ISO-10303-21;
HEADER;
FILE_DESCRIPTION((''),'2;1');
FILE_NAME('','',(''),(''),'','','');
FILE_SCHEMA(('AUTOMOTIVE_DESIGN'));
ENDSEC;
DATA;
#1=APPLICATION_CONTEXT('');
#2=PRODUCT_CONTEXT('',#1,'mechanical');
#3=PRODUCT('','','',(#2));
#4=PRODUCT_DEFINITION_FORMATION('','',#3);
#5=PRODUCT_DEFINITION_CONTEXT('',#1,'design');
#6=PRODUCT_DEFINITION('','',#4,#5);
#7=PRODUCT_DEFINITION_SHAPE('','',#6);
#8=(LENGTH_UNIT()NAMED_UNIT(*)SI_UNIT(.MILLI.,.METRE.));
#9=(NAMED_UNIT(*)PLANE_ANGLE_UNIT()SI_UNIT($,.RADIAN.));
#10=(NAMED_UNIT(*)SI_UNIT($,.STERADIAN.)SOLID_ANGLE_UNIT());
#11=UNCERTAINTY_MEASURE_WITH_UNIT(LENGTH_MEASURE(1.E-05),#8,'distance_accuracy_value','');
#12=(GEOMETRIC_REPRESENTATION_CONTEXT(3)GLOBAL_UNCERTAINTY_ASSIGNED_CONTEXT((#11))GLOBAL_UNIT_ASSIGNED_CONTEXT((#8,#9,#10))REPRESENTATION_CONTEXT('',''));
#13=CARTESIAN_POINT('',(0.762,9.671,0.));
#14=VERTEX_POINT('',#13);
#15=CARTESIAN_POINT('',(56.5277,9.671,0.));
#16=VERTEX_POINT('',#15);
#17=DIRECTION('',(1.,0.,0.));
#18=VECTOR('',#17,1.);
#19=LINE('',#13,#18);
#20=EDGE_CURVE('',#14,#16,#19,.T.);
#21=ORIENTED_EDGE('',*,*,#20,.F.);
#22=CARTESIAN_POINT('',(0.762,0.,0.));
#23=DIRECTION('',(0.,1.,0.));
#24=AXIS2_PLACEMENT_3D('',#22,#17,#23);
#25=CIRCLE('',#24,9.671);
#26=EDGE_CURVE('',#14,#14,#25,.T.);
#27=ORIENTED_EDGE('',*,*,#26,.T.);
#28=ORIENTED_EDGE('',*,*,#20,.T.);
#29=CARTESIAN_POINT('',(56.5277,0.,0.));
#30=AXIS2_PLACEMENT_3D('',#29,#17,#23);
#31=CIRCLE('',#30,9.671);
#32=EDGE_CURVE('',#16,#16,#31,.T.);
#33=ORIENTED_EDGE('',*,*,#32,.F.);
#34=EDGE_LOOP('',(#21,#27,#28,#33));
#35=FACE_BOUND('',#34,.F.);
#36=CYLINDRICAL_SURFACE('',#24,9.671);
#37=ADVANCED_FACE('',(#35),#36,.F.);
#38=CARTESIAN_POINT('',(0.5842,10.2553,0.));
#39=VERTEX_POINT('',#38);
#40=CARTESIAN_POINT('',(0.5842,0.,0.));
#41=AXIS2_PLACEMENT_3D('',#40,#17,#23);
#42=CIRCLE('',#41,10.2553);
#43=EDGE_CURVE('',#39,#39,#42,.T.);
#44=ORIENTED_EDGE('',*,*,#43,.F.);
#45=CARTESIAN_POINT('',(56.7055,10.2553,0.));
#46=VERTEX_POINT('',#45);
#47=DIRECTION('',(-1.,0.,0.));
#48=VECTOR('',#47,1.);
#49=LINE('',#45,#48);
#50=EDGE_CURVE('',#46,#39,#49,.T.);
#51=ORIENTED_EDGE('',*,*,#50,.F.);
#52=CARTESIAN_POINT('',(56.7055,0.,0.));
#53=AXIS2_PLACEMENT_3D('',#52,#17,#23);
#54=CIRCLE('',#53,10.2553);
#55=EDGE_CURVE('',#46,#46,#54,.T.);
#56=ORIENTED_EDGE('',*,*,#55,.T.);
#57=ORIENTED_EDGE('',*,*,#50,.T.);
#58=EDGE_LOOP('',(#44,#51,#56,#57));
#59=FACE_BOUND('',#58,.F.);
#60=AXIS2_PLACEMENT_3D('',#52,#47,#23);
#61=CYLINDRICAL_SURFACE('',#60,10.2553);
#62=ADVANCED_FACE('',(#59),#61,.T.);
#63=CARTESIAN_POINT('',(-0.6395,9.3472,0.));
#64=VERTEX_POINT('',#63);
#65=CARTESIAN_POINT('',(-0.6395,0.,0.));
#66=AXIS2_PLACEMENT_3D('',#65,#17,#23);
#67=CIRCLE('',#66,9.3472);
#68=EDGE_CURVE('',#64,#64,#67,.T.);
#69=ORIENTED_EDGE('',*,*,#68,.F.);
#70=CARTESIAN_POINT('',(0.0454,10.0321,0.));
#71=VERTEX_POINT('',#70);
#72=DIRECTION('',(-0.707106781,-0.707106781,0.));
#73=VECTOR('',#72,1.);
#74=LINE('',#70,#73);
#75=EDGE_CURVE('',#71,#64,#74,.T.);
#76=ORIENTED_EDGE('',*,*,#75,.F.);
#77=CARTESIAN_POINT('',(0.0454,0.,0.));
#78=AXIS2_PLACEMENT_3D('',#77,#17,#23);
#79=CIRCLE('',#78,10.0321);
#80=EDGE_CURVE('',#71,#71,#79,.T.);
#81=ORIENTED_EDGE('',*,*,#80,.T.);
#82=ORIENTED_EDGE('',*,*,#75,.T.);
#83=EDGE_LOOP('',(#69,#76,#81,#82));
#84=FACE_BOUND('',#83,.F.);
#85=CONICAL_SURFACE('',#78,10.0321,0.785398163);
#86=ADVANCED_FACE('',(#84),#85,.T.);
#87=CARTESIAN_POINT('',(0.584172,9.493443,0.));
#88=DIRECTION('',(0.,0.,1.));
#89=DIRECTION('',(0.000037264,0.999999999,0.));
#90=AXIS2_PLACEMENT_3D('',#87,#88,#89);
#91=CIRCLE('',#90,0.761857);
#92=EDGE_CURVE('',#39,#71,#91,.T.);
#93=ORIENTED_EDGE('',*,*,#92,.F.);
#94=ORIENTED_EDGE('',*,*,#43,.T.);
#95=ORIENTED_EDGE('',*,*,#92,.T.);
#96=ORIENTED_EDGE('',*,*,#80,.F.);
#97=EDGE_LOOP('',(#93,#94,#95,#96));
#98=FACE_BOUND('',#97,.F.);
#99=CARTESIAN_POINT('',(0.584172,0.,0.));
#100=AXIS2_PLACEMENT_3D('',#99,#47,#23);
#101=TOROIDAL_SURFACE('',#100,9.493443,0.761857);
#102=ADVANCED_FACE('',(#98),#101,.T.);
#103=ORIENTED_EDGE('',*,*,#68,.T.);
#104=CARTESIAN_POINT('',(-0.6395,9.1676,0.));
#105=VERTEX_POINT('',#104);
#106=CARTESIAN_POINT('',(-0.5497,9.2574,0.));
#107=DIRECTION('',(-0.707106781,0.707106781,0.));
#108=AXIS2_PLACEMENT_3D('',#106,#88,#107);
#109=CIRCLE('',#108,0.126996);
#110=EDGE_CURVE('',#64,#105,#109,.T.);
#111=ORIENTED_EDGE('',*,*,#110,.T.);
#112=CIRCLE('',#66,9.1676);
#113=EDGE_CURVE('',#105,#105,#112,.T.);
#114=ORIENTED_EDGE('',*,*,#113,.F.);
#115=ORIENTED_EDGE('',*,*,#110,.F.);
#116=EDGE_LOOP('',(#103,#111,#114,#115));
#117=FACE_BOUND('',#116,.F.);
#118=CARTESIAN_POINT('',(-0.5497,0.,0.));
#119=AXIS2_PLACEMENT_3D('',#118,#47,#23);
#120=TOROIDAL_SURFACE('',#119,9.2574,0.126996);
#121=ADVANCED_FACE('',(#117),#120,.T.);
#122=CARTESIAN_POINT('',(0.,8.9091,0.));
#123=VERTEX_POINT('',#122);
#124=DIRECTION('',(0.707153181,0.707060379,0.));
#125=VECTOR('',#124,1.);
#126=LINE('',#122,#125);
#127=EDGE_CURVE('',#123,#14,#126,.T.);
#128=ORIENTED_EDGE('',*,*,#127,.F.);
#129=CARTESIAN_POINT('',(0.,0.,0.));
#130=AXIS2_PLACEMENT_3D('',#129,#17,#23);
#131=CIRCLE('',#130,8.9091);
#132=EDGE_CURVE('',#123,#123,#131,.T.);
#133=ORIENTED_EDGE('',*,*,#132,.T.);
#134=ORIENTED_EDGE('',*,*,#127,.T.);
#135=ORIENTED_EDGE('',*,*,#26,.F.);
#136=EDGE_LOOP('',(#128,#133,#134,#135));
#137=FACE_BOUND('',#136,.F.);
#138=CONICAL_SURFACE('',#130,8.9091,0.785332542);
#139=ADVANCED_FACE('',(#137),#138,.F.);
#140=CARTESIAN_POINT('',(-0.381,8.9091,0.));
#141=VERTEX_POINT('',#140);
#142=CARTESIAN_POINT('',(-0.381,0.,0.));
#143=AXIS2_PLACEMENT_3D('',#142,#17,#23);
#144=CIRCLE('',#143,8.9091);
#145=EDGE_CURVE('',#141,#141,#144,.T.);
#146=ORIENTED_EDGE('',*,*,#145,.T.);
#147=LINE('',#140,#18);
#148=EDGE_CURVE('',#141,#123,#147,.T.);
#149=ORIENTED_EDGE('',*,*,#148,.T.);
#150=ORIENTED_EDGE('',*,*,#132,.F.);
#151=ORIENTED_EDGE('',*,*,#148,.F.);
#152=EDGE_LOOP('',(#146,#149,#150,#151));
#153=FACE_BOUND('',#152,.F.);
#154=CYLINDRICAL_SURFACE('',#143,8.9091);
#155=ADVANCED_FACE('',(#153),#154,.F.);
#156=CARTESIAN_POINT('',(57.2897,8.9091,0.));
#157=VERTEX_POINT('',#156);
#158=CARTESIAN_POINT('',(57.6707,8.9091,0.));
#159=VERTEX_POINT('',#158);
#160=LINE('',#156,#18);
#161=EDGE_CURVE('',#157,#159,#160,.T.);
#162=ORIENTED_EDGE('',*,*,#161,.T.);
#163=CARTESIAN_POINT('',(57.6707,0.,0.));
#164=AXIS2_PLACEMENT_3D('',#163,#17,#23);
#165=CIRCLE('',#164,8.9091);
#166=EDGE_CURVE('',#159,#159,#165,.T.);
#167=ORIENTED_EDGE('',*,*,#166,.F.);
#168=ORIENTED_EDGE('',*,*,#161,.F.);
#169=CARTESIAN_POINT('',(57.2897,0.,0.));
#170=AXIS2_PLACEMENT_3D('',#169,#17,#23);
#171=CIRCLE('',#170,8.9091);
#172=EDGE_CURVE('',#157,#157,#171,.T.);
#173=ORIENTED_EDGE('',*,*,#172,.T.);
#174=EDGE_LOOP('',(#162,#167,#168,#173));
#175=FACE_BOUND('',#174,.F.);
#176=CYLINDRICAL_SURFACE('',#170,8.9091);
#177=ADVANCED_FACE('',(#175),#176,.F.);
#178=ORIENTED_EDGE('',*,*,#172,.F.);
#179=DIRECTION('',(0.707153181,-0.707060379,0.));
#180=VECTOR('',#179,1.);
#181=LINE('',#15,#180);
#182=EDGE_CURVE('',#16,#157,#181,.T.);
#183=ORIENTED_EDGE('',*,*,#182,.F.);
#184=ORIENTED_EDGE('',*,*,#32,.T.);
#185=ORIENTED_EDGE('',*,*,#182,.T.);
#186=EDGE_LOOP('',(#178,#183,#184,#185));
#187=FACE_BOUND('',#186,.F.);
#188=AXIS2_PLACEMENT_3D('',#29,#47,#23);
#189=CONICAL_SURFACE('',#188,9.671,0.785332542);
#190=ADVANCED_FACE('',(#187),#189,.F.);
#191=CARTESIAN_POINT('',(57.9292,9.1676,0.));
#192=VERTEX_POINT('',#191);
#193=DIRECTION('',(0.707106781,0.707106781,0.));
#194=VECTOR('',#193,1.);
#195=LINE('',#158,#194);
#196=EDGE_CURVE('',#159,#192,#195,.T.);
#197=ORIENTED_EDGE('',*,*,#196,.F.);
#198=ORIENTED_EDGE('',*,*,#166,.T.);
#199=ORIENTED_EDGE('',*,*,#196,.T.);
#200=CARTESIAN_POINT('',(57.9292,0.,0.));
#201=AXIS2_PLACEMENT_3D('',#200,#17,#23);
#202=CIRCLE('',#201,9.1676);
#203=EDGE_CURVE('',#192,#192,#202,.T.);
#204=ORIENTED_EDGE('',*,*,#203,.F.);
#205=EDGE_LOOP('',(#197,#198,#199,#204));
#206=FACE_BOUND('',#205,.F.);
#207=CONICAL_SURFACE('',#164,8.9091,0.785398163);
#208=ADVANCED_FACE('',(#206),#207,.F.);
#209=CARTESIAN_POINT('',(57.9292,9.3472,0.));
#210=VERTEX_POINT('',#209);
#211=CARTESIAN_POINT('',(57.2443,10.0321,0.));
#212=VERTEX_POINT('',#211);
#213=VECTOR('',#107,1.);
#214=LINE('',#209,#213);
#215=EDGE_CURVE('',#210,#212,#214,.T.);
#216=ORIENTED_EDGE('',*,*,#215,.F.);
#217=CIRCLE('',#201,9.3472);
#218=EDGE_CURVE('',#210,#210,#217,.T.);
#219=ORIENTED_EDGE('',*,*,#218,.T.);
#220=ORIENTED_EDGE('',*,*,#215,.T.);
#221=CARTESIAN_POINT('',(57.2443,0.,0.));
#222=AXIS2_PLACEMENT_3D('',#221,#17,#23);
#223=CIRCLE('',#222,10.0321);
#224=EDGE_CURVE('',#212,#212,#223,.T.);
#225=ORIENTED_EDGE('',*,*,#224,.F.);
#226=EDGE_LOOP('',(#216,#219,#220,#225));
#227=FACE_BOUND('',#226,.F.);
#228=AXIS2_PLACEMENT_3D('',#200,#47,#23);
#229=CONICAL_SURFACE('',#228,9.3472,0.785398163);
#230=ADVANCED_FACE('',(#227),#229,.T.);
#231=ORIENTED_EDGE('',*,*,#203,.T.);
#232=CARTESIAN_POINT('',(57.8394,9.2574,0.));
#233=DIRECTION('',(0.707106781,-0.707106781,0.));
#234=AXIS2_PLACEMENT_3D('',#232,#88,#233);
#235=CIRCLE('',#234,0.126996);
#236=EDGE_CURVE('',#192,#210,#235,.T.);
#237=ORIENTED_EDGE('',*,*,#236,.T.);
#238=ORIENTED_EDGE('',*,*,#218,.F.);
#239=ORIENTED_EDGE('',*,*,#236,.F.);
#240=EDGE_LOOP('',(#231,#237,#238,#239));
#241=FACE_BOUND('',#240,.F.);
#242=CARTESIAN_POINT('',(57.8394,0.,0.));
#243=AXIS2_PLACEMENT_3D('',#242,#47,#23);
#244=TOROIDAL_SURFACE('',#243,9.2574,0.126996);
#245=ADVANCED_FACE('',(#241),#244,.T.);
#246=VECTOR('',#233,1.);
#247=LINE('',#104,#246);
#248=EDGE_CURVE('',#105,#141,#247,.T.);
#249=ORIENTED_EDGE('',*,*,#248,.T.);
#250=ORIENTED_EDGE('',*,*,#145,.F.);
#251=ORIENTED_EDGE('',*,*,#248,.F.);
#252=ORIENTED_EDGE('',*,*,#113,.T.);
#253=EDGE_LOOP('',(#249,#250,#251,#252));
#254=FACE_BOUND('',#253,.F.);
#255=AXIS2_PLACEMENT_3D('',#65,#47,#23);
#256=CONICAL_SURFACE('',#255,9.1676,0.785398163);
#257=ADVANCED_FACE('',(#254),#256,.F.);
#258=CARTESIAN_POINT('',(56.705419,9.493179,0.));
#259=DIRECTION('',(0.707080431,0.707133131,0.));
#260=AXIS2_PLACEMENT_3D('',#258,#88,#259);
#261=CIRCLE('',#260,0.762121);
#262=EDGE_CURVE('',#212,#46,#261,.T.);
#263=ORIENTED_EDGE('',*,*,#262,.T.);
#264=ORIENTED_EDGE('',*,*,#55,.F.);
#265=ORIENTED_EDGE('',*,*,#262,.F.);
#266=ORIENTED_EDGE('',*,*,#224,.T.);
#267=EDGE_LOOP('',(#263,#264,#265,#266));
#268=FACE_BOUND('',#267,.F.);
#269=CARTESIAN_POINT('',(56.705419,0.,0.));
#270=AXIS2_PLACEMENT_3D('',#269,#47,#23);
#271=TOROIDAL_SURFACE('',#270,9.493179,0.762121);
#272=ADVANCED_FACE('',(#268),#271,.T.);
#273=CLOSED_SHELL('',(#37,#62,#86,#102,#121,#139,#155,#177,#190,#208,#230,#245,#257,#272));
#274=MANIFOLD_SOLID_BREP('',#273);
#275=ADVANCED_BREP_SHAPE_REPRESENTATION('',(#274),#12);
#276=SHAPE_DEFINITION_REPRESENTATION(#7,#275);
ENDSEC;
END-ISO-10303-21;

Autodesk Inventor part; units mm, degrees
sketch "Sketch_1" plane through (0, 0, 0) normal (0, 0, 1) x (1, 0, 0)
  line L0 (57.2897, 0) -> (0, 0)
  arc A0 (-0.6395, 9.3472) -> (-0.6395, 9.1676) centre (-0.5497, 9.2574) ccw
  line L1 (-0.6395, 9.1676) -> (-0.381, 8.9091)
  line L2 (-0.381, 8.9091) -> (0, 8.9091)
  line L3 (0, 8.9091) -> (0.762, 9.671)
  line L4 (0.762, 9.671) -> (56.5277, 9.671)
  line L5 (56.5277, 9.671) -> (57.2897, 8.9091)
  line L6 (57.2897, 8.9091) -> (57.6707, 8.9091)
  line L7 (57.6707, 8.9091) -> (57.9292, 9.1676)
  arc A1 (57.9292, 9.1676) -> (57.9292, 9.3472) centre (57.8394, 9.2574) ccw
  line L8 (57.9292, 9.3472) -> (57.2443, 10.0321)
  arc A2 (57.2443, 10.0321) -> (56.7055, 10.2553) centre (56.7055, 9.4933) ccw
  line L9 (56.7055, 10.2553) -> (0.5842, 10.2553)
  arc A3 (0.5842, 10.2553) -> (0.0454, 10.0321) centre (0.5842, 9.4933) ccw
  line L10 (0.0454, 10.0321) -> (-0.6395, 9.3472)
revolve "Revolution1" add sketch "Sketch_1" angle 360 about axis through (57.2897, 0, 0) along (1, 0, 0)
ref_plane "cp1_XY" through (28.6449, 0, 10.2553) normal (1, 0, 0) x (0, 0, -1)
ref_plane "cp1_YZ" through (28.6449, 0, 10.2553) normal (0, 0, -1) x (0, 1, 0)
ref_plane "cp1_ZX" through (28.6449, 0, 10.2553) normal (0, 1, 0) x (1, 0, 0)
ref_plane "cp2_XY" through (28.6449, -10.2553, 0) normal (1, 0, 0) x (0, 0, -1)
ref_plane "cp2_YZ" through (28.6449, -10.2553, 0) normal (0, 0, -1) x (0, 1, 0)
ref_plane "cp2_ZX" through (28.6449, -10.2553, 0) normal (0, 1, 0) x (1, 0, 0)
ref_plane "cp3_XY" through (28.6449, 0, -10.2553) normal (1, 0, 0) x (0, 0, -1)
ref_plane "cp3_YZ" through (28.6449, 0, -10.2553) normal (0, 0, -1) x (0, 1, 0)
ref_plane "cp3_ZX" through (28.6449, 0, -10.2553) normal (0, 1, 0) x (1, 0, 0)
ref_plane "cp4_XY" through (28.6449, 10.2553, 0) normal (1, 0, 0) x (0, 0, -1)
ref_plane "cp4_YZ" through (28.6449, 10.2553, 0) normal (0, 0, -1) x (0, 1, 0)
ref_plane "cp4_ZX" through (28.6449, 10.2553, 0) normal (0, 1, 0) x (1, 0, 0)
ref_plane "tube_front_XY" through (0, 0, 0) normal (1, 0, 0) x (0, 0, -1)
ref_plane "tube_front_YZ" through (0, 0, 0) normal (0, 0, -1) x (0, 1, 0)
ref_plane "tube_front_ZX" through (0, 0, 0) normal (0, 1, 0) x (1, 0, 0)
ref_plane "tube_rear_XY" through (57.2897, 0, 0) normal (1, 0, 0) x (0, 0, -1)
ref_plane "tube_rear_YZ" through (57.2897, 0, 0) normal (0, 0, -1) x (0, 1, 0)
ref_plane "tube_rear_ZX" through (57.2897, 0, 0) normal (0, 1, 0) x (1, 0, 0)
properties part number "04R-2.25550C"
